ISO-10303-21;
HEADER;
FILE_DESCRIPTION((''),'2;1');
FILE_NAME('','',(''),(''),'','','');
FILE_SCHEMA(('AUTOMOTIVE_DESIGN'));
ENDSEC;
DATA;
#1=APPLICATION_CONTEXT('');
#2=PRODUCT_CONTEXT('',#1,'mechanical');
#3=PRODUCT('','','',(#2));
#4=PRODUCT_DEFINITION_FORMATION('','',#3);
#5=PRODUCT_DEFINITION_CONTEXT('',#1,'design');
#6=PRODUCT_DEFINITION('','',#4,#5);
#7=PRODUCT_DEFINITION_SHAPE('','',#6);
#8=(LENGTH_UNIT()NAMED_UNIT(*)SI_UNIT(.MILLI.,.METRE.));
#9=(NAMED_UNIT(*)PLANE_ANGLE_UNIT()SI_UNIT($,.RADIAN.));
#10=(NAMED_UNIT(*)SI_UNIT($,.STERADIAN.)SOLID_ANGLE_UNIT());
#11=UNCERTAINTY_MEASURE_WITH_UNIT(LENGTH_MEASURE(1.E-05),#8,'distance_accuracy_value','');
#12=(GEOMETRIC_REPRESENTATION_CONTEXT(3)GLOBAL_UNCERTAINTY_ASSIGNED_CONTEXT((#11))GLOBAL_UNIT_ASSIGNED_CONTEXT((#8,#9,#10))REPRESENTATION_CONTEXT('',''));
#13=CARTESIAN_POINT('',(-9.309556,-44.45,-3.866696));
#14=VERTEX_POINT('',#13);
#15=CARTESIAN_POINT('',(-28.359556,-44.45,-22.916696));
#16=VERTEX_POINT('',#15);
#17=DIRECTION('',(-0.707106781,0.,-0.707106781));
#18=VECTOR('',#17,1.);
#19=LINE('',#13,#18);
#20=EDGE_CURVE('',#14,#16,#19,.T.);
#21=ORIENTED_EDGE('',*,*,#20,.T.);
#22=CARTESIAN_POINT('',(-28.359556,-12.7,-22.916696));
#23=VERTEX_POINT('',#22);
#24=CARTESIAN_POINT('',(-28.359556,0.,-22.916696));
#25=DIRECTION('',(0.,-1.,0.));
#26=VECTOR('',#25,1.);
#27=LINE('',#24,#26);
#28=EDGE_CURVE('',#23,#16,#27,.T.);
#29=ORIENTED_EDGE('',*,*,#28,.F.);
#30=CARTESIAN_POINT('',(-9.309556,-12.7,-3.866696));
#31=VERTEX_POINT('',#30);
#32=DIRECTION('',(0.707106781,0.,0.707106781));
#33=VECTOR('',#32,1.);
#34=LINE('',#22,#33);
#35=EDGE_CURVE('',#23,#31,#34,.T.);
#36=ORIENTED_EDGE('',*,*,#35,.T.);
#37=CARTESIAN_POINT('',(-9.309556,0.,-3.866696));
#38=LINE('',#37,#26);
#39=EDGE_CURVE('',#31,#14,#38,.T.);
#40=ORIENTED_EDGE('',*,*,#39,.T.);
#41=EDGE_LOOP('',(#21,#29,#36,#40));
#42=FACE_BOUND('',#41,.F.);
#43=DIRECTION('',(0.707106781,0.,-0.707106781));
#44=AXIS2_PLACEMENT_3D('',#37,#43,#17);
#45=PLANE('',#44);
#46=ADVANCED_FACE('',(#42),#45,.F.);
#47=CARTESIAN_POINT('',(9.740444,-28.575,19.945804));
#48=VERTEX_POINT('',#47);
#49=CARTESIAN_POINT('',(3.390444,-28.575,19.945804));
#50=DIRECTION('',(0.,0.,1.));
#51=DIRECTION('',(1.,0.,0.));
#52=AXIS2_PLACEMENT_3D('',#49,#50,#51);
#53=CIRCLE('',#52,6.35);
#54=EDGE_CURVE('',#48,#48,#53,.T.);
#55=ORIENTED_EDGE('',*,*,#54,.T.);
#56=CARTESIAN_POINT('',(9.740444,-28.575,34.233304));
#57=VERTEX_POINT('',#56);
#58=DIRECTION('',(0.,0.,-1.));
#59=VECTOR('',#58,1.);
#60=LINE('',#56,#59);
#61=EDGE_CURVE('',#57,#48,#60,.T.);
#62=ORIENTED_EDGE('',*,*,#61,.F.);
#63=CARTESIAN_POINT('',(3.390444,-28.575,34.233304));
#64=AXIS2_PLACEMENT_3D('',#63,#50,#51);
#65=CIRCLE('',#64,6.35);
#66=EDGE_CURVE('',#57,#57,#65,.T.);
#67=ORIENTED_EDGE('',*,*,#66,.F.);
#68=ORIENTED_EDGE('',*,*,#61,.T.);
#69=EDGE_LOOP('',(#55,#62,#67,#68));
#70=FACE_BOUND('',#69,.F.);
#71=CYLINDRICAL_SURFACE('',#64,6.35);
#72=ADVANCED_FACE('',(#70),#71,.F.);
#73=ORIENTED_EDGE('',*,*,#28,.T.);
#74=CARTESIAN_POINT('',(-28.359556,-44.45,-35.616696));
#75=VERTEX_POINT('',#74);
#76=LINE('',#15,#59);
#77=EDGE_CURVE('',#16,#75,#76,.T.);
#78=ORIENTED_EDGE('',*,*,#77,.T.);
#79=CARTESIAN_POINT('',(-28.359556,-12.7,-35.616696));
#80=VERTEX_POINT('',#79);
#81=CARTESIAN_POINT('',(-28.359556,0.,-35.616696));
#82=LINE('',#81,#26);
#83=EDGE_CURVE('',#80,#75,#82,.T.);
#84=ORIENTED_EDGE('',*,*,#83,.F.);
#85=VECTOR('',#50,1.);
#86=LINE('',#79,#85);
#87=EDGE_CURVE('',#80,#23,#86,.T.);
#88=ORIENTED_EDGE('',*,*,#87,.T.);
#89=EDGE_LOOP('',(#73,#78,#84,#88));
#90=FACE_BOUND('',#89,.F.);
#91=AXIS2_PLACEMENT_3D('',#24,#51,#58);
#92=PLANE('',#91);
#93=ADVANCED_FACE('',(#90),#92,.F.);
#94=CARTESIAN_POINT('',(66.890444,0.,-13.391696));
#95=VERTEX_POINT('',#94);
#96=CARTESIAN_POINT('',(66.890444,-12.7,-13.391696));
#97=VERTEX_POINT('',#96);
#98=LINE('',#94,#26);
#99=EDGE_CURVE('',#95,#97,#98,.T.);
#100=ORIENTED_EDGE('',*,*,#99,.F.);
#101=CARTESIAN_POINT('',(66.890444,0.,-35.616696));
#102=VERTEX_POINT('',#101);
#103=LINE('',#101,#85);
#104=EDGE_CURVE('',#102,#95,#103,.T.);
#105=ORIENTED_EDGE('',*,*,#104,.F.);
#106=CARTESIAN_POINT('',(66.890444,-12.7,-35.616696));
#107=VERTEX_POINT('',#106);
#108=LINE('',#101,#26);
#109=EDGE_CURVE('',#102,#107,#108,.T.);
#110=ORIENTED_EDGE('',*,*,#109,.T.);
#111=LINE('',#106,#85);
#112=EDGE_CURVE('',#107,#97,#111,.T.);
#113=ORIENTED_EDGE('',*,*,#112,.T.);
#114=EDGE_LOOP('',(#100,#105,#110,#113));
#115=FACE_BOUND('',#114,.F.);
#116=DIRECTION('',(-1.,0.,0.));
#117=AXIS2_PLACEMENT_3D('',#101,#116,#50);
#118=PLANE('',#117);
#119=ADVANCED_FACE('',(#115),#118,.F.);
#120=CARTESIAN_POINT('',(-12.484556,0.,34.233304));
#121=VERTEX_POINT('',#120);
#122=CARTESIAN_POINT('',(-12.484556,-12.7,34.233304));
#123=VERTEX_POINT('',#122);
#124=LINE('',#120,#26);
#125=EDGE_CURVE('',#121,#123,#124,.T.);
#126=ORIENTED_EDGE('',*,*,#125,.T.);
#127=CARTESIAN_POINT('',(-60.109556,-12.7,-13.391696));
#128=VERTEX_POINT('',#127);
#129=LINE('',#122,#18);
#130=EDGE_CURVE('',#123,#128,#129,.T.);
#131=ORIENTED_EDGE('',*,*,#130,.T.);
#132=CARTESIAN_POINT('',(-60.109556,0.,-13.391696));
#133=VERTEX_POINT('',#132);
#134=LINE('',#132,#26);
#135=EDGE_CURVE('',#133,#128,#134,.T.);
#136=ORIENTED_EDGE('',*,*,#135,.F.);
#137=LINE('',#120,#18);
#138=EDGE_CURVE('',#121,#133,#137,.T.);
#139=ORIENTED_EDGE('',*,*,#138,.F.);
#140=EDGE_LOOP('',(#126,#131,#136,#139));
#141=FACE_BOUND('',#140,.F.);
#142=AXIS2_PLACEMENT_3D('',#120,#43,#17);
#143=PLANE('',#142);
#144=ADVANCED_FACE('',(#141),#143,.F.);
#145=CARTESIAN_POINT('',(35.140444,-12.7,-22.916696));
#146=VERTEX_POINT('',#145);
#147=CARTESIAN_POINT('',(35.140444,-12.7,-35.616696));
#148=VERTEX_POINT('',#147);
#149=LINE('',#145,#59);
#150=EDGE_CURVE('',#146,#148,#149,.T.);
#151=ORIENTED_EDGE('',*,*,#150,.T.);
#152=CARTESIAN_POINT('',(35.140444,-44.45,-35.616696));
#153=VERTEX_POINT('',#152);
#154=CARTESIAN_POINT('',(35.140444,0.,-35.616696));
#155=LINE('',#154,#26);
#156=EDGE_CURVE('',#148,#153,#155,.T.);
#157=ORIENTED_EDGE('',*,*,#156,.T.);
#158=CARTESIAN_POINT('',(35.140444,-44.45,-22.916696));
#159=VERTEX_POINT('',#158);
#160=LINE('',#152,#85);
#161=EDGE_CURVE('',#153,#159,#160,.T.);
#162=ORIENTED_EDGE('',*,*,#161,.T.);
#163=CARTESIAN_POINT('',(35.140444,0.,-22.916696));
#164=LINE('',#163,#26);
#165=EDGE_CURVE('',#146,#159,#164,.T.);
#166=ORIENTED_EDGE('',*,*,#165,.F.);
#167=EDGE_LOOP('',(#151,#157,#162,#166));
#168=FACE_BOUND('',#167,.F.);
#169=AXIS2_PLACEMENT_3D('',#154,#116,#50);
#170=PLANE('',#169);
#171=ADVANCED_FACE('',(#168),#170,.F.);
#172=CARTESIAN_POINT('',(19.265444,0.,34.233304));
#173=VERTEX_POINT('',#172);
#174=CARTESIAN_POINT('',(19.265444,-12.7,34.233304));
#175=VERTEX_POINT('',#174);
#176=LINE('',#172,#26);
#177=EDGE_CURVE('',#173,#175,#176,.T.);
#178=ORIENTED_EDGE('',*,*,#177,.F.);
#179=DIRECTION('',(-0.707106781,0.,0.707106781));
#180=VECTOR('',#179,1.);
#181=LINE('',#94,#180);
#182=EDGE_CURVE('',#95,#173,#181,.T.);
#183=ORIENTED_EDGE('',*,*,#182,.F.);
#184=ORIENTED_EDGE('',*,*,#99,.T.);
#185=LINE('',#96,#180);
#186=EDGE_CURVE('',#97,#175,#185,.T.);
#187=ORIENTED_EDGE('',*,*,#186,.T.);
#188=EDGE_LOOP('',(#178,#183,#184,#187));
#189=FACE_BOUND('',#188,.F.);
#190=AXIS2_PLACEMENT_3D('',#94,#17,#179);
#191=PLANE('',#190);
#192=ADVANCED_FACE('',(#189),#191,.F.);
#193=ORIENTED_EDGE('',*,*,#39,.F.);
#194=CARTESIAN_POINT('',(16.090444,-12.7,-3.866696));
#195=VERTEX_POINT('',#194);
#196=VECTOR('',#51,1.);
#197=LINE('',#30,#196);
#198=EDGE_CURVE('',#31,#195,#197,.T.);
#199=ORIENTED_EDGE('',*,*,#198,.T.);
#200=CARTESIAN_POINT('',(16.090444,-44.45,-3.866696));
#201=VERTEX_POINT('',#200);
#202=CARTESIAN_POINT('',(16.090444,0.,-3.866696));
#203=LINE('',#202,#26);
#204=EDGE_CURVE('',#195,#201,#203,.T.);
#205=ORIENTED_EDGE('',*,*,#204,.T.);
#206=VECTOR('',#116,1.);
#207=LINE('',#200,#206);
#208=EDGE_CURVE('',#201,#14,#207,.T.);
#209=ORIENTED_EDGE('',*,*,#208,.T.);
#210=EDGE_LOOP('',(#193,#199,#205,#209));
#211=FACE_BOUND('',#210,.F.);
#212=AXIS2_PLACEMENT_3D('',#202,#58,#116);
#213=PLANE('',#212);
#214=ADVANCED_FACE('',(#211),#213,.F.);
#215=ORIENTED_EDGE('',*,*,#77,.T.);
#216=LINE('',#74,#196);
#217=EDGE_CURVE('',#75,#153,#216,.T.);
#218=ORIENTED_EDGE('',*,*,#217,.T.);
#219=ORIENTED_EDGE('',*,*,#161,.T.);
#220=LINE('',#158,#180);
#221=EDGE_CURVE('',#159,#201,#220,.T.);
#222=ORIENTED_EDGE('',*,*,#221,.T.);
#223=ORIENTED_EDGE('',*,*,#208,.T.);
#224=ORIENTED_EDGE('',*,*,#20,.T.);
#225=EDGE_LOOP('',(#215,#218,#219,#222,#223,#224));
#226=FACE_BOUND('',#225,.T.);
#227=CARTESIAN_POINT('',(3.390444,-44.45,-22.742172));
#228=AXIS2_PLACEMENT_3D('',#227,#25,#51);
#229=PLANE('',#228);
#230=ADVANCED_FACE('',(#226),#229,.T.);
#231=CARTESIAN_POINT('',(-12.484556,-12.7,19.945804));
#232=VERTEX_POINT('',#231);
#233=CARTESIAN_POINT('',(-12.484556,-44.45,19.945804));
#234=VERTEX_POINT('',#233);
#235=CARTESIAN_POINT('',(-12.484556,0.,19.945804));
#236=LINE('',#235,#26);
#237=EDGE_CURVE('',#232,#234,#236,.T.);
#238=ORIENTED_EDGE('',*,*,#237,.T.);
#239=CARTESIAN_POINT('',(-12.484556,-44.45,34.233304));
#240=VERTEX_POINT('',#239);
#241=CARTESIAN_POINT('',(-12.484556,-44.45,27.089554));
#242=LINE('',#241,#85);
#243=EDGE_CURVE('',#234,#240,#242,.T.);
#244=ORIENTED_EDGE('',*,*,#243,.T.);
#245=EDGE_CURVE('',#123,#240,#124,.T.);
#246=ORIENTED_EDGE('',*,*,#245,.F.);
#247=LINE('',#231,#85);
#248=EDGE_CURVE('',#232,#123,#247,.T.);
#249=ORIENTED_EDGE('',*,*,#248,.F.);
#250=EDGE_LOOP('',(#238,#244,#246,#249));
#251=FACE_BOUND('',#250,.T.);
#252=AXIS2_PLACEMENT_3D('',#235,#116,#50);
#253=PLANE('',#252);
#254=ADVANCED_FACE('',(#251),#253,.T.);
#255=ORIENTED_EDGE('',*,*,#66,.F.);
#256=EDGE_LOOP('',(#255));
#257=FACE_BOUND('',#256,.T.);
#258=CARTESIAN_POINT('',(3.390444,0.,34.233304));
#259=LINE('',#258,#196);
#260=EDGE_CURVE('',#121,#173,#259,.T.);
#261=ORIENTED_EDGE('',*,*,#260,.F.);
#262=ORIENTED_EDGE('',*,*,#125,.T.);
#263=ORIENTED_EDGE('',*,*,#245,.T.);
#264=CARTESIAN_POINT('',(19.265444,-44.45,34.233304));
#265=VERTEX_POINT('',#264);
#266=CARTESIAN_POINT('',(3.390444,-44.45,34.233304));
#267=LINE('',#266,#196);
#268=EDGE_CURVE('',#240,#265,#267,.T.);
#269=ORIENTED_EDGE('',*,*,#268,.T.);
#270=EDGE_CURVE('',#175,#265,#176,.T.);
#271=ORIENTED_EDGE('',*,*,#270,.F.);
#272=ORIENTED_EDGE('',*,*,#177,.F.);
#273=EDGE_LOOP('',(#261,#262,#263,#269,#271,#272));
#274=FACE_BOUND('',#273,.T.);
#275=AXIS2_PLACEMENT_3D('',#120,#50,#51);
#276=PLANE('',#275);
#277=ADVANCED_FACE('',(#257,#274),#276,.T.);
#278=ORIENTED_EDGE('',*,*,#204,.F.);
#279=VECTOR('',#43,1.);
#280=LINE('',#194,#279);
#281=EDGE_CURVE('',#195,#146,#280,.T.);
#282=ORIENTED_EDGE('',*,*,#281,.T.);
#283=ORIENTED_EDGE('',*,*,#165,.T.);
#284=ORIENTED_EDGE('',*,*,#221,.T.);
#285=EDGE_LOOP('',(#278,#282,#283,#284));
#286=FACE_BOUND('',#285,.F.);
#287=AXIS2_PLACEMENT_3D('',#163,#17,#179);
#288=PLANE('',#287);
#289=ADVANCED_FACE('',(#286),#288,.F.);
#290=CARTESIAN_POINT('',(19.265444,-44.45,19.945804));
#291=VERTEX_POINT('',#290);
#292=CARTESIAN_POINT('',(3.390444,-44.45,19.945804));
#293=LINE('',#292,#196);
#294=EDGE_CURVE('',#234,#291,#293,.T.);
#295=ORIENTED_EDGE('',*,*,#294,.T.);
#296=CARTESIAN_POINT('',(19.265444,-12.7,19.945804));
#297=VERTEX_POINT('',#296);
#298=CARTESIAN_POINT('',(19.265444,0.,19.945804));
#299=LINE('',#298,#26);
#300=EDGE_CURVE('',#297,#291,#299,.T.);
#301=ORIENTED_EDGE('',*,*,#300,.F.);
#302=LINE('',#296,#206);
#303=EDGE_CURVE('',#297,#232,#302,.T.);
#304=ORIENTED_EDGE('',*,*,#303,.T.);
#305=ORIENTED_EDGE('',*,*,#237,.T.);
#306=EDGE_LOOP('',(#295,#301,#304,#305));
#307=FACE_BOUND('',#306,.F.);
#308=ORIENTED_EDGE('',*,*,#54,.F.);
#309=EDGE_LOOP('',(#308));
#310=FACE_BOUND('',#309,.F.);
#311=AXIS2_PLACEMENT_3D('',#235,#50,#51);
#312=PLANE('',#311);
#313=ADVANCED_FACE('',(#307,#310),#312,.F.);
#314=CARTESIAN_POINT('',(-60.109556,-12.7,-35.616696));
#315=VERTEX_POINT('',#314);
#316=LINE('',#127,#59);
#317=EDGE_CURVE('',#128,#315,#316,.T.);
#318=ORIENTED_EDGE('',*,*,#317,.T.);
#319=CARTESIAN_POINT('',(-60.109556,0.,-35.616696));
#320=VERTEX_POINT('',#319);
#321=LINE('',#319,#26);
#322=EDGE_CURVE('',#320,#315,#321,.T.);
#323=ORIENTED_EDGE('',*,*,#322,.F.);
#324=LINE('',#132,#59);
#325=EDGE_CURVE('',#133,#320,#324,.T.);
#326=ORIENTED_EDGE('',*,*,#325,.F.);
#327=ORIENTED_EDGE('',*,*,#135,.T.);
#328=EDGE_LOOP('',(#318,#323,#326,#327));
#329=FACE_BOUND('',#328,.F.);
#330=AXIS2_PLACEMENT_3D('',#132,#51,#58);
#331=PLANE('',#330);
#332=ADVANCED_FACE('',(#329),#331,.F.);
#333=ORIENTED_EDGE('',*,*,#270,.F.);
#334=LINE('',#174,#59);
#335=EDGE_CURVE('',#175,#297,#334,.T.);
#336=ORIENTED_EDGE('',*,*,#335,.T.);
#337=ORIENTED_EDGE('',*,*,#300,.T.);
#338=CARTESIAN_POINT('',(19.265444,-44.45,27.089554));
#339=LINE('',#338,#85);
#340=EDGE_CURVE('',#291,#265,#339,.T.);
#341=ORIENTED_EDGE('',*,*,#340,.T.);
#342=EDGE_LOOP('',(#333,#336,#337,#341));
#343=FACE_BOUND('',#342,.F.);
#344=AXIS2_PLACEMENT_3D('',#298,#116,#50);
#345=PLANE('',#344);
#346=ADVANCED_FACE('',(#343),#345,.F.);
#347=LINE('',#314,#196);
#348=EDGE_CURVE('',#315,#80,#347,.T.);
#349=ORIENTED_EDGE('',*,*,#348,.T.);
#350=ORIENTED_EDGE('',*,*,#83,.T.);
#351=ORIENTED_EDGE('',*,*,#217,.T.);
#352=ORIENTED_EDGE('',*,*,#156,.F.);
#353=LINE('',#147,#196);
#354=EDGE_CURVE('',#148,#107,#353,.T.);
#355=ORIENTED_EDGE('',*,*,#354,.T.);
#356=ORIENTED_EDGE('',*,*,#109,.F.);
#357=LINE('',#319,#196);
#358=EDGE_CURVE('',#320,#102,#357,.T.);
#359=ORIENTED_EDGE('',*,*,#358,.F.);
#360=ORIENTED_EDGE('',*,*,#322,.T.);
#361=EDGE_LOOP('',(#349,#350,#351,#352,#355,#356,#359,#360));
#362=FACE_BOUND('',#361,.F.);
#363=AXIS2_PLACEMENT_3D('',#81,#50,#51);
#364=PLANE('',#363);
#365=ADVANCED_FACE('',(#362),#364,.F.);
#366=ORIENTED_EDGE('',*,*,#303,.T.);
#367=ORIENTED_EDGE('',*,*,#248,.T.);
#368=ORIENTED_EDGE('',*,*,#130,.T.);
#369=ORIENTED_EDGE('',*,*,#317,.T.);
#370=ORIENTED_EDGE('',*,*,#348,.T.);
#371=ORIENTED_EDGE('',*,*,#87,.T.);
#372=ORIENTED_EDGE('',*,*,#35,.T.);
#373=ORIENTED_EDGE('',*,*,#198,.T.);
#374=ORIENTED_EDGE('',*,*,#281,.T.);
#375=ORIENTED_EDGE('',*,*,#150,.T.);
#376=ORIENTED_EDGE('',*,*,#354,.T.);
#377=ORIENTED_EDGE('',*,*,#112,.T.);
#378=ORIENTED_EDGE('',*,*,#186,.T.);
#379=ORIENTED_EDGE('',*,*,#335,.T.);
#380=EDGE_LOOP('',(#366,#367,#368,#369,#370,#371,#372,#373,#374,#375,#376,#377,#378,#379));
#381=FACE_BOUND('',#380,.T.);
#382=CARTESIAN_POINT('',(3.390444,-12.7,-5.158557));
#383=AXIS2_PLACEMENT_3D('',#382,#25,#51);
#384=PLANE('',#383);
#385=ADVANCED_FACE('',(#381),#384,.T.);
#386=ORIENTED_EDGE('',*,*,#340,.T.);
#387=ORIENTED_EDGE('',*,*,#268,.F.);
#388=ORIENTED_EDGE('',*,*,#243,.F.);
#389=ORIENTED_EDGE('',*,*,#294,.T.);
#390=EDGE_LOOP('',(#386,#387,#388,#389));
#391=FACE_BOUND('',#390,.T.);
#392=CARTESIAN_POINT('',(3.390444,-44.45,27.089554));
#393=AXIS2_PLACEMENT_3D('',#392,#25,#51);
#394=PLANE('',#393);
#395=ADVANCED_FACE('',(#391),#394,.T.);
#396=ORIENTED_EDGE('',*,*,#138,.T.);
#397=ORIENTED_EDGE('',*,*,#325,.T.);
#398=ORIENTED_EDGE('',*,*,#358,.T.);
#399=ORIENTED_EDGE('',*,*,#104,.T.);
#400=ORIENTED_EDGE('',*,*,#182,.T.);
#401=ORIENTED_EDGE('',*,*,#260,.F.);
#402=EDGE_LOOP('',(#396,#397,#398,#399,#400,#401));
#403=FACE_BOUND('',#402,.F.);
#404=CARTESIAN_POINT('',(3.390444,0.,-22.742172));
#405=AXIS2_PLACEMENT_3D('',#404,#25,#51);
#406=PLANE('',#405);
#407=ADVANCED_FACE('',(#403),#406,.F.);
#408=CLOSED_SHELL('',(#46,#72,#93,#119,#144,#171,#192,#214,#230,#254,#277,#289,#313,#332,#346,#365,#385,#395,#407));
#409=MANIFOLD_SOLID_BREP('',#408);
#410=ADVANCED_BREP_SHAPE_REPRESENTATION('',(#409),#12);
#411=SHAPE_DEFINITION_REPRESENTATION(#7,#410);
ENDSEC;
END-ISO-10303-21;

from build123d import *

# Parameters (mm, degrees)
F1_DEPTH = 12.7
F0_W     = 31.75
F0_H     = 14.2875
F2_DEPTH = 44.45
F3_R     = 6.35
F4_DEPTH = 25.4


with BuildPart() as f1:
    # F0 (on Front) → F1 (new body)
    with BuildSketch(Plane.XZ):
        Polygon((-60.109556, -13.391696), (-60.109556, -35.616696), (-28.359556, -35.616696), (-28.359556, -22.916696), (-9.309556, -3.866696), (16.090444, -3.866696), (35.140444, -22.916696), (35.140444, -35.616696), (66.890444, -35.616696), (66.890444, -13.391696), (19.265444, 34.233304), (19.265444, 19.945804), (-12.484556, 19.945804), (-12.484556, 34.233304), align=None)
    extrude(amount=F1_DEPTH)

    # F0 (on Front) → F2 (join)
    with BuildSketch(Plane.XZ):
        Polygon((-28.359556, -22.916696), (-28.359556, -35.616696), (-12.484556, -35.616696), (19.265444, -35.616696), (35.140444, -35.616696), (35.140444, -22.916696), (16.090444, -3.866696), (-9.309556, -3.866696), align=None)
        with Locations((3.390444, 27.089554)):
            Rectangle(F0_W, F0_H)
    extrude(amount=F2_DEPTH)

    # F3 (on face) → F4 (cut)
    with BuildSketch(Plane.XY.offset(34.233304)):
        with Locations((3.390444, -28.575)):
            Circle(F3_R)
    extrude(amount=-F4_DEPTH, mode=Mode.SUBTRACT)


solid = f1.part
